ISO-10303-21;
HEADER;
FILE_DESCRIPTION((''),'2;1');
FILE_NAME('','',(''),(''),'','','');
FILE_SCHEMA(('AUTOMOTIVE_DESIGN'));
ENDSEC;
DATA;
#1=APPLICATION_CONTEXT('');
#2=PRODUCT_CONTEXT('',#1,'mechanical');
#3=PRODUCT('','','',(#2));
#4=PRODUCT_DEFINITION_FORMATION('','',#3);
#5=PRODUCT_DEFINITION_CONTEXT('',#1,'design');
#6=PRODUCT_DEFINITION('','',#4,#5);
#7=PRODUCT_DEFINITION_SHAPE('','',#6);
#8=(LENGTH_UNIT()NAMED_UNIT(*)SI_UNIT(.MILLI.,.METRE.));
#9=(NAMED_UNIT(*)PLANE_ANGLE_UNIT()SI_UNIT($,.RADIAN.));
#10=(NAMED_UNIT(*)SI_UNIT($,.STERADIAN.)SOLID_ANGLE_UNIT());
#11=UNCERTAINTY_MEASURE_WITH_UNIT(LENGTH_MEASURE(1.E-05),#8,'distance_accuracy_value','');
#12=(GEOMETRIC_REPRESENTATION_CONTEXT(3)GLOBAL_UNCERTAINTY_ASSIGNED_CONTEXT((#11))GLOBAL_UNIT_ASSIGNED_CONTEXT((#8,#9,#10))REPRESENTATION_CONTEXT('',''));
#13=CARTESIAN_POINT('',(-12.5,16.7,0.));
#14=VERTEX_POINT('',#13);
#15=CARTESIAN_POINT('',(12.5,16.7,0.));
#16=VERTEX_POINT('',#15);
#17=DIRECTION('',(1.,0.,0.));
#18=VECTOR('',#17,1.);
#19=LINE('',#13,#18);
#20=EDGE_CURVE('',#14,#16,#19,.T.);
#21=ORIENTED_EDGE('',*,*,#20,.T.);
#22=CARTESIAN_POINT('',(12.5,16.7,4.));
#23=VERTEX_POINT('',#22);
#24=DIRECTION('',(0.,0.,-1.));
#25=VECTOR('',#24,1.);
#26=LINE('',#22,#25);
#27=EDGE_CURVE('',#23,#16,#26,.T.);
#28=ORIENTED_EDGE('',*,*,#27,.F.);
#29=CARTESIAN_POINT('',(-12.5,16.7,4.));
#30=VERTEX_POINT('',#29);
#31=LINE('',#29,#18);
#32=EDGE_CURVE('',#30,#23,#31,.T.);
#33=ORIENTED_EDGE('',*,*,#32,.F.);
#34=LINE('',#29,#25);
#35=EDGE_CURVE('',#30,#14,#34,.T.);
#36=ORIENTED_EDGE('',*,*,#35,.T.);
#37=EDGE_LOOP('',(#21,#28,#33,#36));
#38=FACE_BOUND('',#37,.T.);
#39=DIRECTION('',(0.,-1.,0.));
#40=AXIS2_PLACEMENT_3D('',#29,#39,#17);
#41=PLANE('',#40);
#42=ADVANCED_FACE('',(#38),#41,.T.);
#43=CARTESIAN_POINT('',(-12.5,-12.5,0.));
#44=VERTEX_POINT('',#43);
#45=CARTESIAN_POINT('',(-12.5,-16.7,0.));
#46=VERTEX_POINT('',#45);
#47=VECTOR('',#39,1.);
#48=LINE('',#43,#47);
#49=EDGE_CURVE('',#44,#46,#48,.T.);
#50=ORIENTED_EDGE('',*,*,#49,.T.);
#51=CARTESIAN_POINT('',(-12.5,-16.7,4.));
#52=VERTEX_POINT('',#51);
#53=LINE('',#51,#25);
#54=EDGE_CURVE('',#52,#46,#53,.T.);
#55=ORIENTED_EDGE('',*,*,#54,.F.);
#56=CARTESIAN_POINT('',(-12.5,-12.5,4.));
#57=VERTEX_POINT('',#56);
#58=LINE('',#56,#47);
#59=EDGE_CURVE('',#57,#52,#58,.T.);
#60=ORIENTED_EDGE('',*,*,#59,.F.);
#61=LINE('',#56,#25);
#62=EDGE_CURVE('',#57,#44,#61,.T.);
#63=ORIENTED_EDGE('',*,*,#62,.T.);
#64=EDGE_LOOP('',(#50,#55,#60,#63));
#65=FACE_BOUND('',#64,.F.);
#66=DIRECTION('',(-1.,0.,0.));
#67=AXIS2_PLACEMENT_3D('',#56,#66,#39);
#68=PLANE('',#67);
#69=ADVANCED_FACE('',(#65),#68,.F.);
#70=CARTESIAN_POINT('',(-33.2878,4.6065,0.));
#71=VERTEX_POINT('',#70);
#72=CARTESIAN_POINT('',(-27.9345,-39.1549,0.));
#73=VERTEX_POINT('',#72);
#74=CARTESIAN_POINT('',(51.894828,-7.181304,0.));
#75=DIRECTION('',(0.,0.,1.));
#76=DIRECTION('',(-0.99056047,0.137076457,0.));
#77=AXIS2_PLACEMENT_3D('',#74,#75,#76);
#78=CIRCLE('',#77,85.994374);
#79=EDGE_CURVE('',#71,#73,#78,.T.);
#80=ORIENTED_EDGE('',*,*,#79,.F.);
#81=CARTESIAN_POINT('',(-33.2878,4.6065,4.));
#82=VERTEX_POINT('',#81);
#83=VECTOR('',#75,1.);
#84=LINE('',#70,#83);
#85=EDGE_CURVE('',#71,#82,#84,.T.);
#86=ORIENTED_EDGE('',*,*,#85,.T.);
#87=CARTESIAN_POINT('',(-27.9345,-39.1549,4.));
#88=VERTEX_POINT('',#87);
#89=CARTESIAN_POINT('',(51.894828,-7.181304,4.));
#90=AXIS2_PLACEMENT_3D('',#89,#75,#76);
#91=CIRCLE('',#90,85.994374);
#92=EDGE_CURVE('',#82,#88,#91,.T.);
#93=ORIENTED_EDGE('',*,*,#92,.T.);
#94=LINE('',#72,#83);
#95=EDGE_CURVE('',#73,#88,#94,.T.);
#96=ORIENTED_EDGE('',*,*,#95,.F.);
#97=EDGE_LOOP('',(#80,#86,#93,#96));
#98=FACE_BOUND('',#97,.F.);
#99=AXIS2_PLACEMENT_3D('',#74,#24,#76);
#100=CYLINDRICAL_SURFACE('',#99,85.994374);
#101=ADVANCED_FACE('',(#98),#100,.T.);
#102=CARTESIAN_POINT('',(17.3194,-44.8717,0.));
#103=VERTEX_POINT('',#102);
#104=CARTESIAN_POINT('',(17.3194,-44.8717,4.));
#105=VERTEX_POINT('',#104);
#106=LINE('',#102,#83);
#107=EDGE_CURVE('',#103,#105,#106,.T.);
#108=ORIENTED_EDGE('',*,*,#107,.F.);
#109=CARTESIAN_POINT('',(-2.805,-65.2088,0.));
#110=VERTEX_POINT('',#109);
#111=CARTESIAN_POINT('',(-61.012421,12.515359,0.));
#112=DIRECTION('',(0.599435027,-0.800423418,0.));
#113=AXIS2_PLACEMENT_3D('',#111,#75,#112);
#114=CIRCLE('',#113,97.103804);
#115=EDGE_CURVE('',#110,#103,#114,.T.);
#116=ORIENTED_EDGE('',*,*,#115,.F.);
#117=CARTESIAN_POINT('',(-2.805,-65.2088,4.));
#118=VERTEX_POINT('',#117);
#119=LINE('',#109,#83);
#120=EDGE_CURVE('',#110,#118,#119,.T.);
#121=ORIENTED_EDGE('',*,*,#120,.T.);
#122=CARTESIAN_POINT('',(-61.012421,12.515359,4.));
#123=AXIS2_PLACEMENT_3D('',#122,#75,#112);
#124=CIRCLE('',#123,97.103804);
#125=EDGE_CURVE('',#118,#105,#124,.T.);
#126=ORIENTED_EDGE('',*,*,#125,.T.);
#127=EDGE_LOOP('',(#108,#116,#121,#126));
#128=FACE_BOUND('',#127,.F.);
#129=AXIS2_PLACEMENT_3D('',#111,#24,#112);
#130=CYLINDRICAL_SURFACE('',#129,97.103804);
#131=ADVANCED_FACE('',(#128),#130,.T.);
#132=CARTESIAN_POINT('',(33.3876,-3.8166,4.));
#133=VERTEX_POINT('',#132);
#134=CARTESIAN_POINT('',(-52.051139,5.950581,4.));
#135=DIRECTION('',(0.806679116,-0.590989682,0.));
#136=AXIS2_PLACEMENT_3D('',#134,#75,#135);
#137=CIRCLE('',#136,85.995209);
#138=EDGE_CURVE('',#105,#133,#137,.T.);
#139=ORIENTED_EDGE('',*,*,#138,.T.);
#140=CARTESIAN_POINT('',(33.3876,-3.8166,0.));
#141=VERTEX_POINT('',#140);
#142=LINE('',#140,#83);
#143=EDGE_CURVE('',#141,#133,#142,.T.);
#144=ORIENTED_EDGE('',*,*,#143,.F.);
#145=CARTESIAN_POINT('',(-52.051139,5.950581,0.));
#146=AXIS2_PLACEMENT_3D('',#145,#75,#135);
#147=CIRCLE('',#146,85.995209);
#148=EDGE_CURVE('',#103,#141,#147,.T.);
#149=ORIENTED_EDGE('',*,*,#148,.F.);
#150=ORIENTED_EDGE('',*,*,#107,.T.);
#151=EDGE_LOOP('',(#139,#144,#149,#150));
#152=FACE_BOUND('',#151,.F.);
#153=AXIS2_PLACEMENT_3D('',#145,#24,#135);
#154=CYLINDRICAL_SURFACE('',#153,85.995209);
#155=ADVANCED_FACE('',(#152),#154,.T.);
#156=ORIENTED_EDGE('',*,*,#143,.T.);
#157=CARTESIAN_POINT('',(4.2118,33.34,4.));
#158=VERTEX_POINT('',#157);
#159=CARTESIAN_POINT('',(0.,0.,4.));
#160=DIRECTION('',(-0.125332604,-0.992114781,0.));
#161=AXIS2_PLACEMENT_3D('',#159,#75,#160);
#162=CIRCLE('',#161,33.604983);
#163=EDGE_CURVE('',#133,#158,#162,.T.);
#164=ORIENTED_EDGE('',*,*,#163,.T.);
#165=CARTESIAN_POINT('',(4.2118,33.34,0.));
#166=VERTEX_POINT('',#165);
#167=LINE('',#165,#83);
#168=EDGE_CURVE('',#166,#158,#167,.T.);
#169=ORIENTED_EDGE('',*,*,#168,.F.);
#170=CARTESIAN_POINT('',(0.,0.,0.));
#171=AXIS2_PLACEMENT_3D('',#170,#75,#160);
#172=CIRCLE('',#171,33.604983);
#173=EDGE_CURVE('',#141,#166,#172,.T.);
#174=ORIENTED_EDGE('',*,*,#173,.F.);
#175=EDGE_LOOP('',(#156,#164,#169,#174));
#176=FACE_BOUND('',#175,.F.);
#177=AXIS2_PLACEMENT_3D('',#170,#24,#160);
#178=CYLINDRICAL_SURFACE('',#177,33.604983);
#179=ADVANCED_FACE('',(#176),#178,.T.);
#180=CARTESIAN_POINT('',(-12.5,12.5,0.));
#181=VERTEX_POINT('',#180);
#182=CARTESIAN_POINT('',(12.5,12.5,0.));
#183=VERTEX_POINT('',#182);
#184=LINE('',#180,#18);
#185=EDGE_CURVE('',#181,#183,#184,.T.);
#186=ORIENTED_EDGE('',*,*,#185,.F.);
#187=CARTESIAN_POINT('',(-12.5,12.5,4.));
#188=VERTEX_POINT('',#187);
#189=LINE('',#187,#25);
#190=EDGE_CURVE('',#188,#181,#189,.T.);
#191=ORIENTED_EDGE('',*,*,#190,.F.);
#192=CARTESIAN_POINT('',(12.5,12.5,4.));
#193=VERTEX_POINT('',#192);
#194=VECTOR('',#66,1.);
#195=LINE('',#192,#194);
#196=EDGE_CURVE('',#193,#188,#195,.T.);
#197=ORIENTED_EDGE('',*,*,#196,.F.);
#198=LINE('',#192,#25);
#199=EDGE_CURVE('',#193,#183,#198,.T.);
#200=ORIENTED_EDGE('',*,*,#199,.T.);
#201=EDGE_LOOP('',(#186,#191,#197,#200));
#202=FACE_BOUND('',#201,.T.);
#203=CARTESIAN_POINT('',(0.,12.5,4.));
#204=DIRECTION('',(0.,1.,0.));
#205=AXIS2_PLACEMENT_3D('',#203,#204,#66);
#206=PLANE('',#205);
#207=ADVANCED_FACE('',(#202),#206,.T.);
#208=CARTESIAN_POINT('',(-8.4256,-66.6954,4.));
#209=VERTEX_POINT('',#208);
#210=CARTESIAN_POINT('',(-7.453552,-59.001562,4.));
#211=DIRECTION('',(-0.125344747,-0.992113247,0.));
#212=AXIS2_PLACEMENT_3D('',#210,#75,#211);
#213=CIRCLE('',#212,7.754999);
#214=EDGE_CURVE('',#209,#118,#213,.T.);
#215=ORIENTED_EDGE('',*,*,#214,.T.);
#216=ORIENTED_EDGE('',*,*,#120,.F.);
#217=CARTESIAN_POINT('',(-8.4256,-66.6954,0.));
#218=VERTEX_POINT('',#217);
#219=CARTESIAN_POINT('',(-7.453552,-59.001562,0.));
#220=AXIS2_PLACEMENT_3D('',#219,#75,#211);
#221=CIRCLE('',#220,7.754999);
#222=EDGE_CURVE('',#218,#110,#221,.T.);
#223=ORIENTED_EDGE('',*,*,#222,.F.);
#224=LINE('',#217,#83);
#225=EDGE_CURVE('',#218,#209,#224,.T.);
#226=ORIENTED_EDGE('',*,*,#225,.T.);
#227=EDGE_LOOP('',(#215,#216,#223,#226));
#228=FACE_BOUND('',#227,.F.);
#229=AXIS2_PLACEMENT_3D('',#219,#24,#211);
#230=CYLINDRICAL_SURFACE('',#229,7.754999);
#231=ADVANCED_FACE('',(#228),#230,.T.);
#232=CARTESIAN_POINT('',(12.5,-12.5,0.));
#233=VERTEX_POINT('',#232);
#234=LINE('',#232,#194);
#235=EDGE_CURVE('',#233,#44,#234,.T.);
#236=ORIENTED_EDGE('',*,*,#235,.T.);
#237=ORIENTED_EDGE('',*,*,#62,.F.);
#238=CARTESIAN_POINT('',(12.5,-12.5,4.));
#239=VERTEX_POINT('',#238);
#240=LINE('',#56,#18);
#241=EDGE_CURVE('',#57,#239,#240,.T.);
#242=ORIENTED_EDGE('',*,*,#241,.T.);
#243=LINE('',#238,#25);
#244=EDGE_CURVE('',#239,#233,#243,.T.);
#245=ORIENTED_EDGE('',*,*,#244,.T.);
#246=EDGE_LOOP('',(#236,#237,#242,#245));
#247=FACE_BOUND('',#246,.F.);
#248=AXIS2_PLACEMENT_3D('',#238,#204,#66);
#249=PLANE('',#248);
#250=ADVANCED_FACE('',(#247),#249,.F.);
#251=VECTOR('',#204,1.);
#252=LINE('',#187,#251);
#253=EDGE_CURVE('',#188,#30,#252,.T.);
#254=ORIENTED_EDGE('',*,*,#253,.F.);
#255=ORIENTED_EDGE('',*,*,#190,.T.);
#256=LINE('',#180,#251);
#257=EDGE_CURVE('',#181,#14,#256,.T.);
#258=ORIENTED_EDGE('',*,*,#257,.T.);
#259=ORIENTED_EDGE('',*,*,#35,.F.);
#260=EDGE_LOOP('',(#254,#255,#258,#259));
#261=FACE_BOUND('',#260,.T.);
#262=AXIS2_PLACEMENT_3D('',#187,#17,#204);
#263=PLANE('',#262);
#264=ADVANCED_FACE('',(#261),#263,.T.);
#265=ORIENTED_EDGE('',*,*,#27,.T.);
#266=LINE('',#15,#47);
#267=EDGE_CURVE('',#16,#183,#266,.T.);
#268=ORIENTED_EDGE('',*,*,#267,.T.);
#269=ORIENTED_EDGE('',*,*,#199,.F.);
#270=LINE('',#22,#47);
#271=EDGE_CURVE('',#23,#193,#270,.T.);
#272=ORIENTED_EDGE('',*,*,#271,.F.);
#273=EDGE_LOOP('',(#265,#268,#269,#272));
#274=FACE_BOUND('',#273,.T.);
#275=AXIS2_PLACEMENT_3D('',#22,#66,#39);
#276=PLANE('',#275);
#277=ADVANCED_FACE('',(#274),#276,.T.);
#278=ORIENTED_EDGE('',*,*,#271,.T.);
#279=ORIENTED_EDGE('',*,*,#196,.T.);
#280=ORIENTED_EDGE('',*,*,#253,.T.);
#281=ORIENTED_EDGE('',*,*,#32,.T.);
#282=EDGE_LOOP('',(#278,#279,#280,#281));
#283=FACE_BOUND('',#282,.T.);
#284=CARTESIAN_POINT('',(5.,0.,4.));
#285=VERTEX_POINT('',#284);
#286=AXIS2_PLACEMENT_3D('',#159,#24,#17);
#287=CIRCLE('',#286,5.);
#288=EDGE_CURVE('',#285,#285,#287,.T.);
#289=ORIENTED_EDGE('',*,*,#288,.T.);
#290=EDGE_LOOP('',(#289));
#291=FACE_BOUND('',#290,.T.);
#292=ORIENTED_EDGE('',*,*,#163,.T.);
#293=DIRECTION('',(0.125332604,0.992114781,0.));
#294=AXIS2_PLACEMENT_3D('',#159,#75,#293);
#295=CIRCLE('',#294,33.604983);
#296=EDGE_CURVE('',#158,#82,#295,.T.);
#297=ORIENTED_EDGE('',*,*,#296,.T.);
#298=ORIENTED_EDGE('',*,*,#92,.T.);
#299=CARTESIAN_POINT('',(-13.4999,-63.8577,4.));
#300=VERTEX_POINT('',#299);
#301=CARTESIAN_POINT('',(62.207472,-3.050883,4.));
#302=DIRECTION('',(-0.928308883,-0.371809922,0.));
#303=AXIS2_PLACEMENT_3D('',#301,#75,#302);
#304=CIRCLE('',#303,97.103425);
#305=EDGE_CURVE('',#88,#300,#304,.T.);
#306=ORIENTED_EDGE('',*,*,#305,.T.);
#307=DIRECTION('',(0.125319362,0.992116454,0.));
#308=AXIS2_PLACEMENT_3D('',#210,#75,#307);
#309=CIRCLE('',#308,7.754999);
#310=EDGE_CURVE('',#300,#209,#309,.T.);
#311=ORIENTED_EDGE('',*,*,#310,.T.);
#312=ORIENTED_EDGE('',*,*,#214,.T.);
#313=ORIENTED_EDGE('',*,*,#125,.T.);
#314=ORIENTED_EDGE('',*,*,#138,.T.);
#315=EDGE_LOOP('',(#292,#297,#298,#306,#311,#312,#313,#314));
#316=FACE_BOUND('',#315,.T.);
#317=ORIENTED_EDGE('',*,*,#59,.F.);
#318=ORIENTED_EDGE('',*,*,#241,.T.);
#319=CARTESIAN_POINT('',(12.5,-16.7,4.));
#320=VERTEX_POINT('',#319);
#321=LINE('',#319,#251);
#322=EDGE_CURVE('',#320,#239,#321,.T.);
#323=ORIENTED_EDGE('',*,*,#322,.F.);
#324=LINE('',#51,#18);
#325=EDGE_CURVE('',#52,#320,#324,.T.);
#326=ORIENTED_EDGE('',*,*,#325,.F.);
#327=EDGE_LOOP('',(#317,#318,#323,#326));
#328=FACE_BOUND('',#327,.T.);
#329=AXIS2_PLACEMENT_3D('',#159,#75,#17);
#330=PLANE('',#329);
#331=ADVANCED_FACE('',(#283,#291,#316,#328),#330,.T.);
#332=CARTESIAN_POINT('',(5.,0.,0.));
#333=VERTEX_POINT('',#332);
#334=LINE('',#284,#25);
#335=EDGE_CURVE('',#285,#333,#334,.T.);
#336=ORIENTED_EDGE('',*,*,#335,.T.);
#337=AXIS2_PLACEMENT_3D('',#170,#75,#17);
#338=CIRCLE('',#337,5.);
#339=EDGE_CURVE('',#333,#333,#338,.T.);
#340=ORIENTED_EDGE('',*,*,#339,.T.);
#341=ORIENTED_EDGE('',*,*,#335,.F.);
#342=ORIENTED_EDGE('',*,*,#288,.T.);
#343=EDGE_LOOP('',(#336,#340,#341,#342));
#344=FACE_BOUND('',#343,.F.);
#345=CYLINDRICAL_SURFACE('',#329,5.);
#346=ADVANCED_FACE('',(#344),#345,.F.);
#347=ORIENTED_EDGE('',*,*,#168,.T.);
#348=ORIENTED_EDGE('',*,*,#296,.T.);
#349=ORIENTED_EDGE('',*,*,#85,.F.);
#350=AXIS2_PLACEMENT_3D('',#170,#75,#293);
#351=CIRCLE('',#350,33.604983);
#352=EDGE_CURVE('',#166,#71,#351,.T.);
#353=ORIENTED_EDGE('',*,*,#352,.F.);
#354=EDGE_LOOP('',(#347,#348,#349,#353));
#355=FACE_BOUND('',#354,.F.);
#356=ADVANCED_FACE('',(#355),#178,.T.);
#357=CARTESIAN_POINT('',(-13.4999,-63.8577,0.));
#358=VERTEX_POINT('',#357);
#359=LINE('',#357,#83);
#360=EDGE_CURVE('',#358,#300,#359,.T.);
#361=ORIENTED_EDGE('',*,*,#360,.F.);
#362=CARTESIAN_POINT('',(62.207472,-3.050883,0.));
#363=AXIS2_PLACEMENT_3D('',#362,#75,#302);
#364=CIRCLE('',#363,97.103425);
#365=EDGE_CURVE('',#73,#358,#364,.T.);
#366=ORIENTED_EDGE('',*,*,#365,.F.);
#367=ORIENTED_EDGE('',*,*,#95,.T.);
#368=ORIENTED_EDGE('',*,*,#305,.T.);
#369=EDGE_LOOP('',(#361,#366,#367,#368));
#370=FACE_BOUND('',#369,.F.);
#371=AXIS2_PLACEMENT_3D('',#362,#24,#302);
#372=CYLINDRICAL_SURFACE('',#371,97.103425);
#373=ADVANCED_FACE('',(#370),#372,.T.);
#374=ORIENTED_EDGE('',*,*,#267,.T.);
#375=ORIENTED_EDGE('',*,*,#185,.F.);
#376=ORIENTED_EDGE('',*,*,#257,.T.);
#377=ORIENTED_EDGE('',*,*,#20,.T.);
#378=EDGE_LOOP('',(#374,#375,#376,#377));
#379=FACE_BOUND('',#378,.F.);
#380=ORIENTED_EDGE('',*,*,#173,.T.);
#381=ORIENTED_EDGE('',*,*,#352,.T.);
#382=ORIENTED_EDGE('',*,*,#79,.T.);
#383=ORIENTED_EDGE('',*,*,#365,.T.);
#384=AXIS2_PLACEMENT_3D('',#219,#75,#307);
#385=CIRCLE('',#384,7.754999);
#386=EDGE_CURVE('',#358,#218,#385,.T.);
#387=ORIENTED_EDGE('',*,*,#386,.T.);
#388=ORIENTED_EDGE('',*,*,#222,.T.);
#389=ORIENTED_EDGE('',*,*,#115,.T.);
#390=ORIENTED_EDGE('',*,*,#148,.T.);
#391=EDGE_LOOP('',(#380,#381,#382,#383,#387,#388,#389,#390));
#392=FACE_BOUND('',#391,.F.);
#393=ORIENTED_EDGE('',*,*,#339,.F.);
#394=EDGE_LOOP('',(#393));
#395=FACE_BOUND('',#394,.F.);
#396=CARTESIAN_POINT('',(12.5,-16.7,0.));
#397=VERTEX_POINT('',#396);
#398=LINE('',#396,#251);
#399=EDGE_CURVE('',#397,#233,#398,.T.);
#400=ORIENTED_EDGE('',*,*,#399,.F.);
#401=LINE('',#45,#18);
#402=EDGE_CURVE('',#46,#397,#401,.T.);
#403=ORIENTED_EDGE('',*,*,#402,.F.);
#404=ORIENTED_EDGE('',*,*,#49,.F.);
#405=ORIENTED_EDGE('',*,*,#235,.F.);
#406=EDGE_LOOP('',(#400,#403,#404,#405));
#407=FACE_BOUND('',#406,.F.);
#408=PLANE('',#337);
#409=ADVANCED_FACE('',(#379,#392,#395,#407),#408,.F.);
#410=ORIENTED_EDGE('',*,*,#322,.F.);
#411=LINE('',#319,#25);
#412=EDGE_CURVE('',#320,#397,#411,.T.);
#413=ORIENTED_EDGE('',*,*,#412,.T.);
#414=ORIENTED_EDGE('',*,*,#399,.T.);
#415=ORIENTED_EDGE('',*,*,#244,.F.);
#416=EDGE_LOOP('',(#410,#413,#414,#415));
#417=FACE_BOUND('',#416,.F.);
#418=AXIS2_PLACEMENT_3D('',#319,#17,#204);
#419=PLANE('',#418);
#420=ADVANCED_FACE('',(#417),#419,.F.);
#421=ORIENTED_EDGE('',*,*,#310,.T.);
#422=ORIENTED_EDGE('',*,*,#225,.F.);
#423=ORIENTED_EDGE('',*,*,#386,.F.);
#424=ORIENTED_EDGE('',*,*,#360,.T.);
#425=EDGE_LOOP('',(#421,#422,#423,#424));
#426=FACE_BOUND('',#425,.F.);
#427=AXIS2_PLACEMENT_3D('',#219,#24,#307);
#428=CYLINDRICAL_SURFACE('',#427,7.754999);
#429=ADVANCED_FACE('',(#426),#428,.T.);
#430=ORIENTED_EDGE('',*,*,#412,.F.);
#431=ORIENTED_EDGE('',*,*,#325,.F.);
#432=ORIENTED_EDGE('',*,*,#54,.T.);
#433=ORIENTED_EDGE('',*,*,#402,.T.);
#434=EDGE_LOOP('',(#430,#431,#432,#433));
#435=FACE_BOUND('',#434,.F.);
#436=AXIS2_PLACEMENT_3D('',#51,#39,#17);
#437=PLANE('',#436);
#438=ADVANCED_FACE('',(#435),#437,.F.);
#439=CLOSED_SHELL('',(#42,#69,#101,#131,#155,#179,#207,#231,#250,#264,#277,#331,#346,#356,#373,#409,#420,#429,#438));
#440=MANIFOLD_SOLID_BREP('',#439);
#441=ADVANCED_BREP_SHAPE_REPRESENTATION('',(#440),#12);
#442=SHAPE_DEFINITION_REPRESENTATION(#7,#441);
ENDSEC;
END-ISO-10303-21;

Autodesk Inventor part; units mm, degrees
ref_plane "YZ Plane" through (0, 0, 0) normal (1, 0, 0) x (0, 1, 0)
ref_plane "XZ Plane" through (0, 0, 0) normal (0, 1, 0) x (-1, 0, 0)
ref_plane "XY Plane" through (0, 0, 0) normal (0, 0, 1) x (1, 0, 0)
sketch "Boceto1" plane through (0, 0, 0) normal (0, 0, 1) x (1, 0, 0)
  arc A0 (4.2118, 33.34) -> (-4.2118, -33.34) centre (0, 0) ccw
  arc A1 (-6.4817, -51.3077) -> (-8.4256, -66.6954) centre (-7.4536, -59.0015) ccw
  line L0 (-8.707, -68.9229) -> (-16.4008, -67.951)
  line L1 (-33.2878, 4.6065) -> (-46.1109, 6.2264)
  line L2 (-46.1109, 6.2264) -> (-16.4008, -67.951)
  line L3 (-16.4008, -67.951) -> (-27.9345, -39.1549)
  arc A2 (-33.2878, 4.6065) -> (-27.9345, -39.1549) centre (51.8943, -7.1813) ccw
  arc A3 (-27.9345, -39.1549) -> (-13.4999, -63.8577) centre (62.2103, -3.0495) ccw
  line L4 (0.324, 2.5646) -> (4.2118, 33.34)
  line L5 (-0.324, -2.5646) -> (-8.707, -68.9229)
  arc A4 (-4.2118, -33.34) -> (4.2118, 33.34) centre (0, 0) ccw
  arc A5 (-8.4256, -66.6954) -> (-6.4817, -51.3077) centre (-7.4536, -59.0015) ccw
  line L6 (-8.707, -68.9229) -> (-1.0131, -69.8949)
  line L7 (33.3876, -3.8166) -> (46.2107, -5.4365)
  line L8 (46.2107, -5.4365) -> (-1.0131, -69.8949)
  line L9 (-1.0131, -69.8949) -> (17.3194, -44.8717)
  arc A6 (17.3194, -44.8717) -> (33.3876, -3.8166) centre (-52.0499, 5.9499) ccw
  arc A7 (-2.805, -65.2088) -> (17.3194, -44.8717) centre (-61.0142, 12.5174) ccw
  dimension "d0" = 67.21
  dimension "d6" = 15.51
  dimension "d7" = 7.755
  dimension "d8" = 12.925
  dimension "d9" = 31.02
extrude "Extrusión2" add sketch "Boceto1" along normal blind 4 contours A4 A0 | A0 L5 A1 A3 A2 | A6 A7 A5 L5 A4 | L5 A1 | A5 L5
sketch "Boceto2" plane through (0, 0, 4) normal (0, 0, 1) x (1, 0, 0)
  line L0 (0, 0) -> (0, 12.5)
  line L1 (0, 12.5) -> (-12.5, 12.5)
  line L2 (-12.5, 12.5) -> (-12.5, 16.7)
  line L3 (-12.5, 16.7) -> (12.5, 16.7)
  line L4 (12.5, 16.7) -> (12.5, 12.5)
  line L5 (12.5, 12.5) -> (0, 12.5)
  line L6 (0, 0) -> (12.5, 0)
  line L7 (0, 0) -> (0, -12.5)
  line L8 (0, -12.5) -> (-12.5, -12.5)
  line L9 (-12.5, -12.5) -> (-12.5, -16.7)
  line L10 (-12.5, -16.7) -> (12.5, -16.7)
  line L11 (12.5, -16.7) -> (12.5, -12.5)
  line L12 (12.5, -12.5) -> (0, -12.5)
  circle A0 centre (0, 0) radius 5
  dimension "d24" = 12.5
  dimension "d25" = 12.5
  dimension "d26" = 4.2
  dimension "d27" = 25
  dimension "d28" = 10
extrude "Extrusión3" cut sketch "Boceto2" against normal blind 4
properties part number "leva00" material "Madera (abedul)"
